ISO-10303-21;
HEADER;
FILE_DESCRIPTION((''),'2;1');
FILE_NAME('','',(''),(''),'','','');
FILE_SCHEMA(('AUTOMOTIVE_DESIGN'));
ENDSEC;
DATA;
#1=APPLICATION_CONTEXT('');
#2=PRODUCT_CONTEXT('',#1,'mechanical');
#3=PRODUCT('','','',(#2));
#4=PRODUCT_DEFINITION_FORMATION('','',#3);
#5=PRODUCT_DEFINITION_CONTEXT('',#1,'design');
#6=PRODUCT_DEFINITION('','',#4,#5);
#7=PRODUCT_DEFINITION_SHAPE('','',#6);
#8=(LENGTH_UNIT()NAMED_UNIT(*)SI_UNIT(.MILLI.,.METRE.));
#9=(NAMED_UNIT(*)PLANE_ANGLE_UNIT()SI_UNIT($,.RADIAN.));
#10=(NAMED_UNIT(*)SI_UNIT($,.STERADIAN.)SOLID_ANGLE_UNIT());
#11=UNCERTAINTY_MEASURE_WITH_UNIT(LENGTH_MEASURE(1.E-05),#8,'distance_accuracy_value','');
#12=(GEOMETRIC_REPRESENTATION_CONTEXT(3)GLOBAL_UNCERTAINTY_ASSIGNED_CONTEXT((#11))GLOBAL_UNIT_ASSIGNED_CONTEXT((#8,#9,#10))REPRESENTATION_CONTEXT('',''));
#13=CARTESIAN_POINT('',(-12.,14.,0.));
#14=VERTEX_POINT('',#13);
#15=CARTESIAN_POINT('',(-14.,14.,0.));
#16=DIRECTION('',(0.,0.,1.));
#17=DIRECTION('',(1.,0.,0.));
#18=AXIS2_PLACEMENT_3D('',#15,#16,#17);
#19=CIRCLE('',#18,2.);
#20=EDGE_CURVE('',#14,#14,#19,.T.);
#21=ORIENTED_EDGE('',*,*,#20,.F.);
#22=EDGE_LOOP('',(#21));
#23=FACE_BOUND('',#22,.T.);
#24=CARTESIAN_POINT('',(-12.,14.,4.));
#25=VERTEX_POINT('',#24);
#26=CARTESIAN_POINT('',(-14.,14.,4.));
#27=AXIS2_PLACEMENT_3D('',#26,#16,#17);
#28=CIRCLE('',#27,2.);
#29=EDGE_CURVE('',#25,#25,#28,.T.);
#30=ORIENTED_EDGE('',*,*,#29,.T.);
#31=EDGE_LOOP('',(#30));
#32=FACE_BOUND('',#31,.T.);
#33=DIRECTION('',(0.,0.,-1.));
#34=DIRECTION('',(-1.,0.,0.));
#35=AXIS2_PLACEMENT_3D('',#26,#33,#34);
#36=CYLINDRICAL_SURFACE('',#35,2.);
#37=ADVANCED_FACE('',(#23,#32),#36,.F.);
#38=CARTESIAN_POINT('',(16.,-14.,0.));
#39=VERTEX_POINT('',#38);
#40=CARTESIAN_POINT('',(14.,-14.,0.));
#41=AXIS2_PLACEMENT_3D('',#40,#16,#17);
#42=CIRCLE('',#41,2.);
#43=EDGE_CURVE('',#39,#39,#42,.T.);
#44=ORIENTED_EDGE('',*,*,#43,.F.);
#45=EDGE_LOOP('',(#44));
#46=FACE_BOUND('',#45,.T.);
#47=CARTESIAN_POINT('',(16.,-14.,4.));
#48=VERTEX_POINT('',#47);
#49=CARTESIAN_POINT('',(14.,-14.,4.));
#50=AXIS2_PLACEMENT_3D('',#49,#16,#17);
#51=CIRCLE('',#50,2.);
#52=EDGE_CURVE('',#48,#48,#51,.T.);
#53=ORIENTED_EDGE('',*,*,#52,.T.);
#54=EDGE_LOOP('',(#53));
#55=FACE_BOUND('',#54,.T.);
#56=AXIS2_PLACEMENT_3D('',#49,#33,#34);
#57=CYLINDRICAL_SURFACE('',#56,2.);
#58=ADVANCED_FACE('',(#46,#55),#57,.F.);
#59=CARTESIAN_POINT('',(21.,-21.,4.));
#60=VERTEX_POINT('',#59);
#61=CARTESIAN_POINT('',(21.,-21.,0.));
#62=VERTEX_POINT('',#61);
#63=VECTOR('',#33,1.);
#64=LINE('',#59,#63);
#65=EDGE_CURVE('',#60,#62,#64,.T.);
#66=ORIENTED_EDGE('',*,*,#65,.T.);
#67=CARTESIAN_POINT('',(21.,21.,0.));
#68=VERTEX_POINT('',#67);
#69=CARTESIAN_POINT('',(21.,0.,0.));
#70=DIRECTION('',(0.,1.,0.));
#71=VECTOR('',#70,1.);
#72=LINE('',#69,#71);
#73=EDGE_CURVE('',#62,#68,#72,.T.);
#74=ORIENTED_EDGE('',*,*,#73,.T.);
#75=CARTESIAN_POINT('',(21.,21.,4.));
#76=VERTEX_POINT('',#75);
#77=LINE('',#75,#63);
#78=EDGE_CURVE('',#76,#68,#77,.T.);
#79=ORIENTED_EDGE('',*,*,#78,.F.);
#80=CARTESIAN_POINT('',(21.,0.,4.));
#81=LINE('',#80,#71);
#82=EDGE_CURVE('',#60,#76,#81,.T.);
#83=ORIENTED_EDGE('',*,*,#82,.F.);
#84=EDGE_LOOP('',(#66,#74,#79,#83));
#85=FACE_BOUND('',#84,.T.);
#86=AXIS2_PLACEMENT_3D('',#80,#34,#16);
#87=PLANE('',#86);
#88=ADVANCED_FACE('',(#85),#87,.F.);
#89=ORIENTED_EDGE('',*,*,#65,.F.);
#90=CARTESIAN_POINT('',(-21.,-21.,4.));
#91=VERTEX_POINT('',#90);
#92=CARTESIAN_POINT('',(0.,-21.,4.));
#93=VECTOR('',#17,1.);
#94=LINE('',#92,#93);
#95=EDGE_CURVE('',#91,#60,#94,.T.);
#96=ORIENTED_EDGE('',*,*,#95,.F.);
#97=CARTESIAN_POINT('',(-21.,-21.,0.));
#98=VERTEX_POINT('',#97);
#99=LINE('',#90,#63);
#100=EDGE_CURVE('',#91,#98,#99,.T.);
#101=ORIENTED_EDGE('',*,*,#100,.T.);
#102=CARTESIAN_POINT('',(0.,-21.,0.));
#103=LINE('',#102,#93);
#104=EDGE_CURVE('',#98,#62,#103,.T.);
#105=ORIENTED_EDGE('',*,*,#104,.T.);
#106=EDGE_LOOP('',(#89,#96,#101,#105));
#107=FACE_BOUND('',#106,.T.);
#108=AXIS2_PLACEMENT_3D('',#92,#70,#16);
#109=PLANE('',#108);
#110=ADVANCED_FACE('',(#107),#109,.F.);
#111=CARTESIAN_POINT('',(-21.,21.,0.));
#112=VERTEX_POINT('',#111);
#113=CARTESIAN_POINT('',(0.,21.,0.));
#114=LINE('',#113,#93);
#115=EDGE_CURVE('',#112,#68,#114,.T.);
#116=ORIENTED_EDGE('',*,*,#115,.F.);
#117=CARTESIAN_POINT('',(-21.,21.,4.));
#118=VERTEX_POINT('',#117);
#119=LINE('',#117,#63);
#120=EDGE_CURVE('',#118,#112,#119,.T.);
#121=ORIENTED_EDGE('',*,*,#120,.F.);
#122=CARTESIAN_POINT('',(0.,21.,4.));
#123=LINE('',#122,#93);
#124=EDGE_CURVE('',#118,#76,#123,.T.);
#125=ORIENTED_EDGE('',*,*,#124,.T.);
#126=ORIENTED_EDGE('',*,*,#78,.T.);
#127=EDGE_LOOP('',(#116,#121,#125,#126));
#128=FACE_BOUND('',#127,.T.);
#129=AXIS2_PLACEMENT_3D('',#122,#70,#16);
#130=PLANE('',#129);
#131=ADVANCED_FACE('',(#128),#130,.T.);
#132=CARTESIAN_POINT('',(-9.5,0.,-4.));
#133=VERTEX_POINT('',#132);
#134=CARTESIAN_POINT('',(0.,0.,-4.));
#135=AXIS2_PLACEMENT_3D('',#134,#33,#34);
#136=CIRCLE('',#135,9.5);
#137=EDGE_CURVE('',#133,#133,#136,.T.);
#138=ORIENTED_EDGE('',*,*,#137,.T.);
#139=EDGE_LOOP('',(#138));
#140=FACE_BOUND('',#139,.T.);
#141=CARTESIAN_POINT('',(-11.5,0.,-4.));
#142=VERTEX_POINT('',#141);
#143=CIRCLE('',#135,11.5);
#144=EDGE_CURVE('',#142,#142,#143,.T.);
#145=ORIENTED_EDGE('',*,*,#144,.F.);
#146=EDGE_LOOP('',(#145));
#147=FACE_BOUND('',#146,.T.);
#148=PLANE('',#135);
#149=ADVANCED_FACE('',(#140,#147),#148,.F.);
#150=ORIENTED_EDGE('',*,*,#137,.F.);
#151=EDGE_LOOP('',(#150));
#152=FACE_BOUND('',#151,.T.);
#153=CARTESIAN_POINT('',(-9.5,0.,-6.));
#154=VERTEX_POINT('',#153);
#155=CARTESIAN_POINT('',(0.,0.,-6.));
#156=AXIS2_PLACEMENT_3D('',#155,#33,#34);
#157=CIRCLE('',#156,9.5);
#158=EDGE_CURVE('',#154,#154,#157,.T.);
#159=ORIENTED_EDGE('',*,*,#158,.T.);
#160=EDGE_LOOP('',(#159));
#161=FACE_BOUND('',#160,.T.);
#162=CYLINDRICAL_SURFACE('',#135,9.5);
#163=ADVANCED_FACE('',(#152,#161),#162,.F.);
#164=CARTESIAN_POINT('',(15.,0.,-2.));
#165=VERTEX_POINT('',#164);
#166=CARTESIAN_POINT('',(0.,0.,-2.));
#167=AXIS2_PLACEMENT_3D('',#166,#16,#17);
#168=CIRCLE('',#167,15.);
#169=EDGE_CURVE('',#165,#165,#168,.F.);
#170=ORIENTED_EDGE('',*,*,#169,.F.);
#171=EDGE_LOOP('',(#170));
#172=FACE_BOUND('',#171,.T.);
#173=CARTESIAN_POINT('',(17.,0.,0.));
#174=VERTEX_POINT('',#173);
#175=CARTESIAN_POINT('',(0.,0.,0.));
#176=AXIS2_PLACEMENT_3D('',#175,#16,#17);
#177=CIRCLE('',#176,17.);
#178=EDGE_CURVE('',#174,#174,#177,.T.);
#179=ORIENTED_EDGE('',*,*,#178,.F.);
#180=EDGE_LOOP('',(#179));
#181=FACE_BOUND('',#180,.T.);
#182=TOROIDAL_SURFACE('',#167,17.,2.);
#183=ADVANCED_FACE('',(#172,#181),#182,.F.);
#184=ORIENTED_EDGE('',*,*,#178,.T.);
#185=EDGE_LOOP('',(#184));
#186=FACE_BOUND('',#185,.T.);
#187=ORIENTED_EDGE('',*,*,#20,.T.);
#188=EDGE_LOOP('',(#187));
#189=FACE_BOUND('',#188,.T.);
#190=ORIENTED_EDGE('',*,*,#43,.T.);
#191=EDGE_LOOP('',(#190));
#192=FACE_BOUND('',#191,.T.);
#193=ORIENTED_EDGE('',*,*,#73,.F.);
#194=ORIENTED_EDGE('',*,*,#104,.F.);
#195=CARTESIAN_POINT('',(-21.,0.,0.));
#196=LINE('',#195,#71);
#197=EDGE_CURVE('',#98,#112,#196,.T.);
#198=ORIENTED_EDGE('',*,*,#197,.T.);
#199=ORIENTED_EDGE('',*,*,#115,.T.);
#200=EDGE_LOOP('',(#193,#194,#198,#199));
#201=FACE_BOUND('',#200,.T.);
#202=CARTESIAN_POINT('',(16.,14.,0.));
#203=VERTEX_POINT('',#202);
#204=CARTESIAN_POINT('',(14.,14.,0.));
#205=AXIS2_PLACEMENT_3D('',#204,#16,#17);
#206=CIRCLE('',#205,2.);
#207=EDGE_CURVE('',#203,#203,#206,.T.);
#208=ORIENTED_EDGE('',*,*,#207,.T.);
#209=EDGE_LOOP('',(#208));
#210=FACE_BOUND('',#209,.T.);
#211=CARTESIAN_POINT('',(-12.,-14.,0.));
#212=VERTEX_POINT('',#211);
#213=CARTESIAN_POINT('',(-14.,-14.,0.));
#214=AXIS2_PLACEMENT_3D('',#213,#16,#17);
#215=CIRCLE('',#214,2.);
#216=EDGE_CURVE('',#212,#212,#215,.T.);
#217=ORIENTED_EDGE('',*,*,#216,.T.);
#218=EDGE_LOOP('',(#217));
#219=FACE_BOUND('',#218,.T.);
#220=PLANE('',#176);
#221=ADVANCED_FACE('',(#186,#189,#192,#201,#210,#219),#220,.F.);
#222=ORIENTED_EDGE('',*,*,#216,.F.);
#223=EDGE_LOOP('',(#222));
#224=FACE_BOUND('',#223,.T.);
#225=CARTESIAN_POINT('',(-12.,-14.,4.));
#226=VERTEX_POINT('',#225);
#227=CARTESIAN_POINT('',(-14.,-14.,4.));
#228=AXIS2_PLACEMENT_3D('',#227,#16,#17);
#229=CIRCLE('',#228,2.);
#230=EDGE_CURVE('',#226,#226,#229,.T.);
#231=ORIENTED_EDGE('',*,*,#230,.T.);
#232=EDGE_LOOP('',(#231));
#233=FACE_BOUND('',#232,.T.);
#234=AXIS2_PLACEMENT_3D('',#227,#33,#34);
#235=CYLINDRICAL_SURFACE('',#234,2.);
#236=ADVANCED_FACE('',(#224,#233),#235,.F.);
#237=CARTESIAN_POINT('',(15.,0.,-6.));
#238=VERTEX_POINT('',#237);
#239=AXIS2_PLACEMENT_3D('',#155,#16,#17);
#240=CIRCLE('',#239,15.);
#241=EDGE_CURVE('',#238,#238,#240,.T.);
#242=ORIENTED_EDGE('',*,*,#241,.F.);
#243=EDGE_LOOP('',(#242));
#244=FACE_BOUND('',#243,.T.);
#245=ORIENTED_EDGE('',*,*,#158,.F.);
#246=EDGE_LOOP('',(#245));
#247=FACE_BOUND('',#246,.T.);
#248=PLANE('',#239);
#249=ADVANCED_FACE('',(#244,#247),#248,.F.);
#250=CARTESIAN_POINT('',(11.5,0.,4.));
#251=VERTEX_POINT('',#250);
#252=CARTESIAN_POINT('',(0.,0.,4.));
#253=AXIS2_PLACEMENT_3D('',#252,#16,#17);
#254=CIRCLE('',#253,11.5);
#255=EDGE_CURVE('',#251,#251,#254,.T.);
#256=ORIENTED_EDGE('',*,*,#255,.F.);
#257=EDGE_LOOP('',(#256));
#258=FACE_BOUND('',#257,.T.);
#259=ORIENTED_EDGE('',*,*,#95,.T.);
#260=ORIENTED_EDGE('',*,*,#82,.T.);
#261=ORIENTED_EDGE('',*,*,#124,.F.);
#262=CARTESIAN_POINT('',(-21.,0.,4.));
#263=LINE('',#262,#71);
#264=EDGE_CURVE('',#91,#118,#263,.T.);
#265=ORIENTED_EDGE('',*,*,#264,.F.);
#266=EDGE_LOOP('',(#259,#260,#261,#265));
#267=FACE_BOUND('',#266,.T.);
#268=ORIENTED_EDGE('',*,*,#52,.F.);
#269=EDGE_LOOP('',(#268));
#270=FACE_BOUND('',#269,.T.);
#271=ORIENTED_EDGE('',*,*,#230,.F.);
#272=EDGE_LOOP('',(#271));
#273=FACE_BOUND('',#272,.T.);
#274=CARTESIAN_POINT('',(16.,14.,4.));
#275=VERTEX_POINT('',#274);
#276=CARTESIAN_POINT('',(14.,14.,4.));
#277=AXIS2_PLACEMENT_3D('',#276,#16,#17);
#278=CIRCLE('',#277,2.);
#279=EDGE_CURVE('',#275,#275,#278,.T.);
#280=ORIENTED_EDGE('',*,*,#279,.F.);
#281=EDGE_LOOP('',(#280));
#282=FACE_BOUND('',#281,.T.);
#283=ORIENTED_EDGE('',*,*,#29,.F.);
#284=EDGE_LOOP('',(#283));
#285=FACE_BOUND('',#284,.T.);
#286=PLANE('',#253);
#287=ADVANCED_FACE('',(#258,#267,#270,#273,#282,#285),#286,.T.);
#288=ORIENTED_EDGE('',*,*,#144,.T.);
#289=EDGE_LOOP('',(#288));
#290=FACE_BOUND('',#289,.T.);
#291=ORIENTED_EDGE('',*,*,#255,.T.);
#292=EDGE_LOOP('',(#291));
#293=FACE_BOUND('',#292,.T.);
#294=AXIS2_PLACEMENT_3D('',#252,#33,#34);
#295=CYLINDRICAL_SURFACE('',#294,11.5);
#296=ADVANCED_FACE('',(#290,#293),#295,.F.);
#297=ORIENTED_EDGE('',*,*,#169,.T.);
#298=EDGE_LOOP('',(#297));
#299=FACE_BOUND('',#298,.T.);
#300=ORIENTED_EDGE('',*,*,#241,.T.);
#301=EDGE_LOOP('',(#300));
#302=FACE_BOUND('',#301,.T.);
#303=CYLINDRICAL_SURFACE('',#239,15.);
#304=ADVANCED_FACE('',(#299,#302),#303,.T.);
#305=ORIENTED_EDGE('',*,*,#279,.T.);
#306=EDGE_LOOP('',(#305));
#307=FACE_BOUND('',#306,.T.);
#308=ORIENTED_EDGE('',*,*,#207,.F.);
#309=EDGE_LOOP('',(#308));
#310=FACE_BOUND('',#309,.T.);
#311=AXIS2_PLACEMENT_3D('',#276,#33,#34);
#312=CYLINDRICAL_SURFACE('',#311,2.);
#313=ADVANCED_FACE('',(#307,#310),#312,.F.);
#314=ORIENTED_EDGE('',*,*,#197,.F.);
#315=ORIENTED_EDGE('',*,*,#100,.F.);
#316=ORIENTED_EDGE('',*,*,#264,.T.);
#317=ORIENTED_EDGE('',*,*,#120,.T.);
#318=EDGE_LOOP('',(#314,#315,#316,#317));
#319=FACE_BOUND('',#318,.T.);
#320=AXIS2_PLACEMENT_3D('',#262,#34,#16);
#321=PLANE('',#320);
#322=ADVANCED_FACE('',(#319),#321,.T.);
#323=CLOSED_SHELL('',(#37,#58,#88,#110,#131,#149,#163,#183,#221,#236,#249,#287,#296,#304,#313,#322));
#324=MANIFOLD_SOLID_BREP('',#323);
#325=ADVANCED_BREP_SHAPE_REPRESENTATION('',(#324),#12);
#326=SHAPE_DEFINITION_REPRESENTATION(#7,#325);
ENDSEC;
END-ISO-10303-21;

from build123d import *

# Parameters (mm, degrees)
SKETCH1_W           = 42
SKETCH1_H           = 42
SKETCH1_R           = 2
SKETCH1_R_2         = 11.5
BOSS_EXTRUDE1_DEPTH = 4
SKETCH2_R           = 15
SKETCH2_R_2         = 11.5
BOSS_EXTRUDE2_DEPTH = 6
SKETCH3_R           = 11.5
SKETCH3_R_2         = 9.5
BOSS_EXTRUDE3_DEPTH = 2
FILLET1_R           = 2


with BuildPart() as part:
    # Sketch1 → Boss-Extrude1 (new body)
    with BuildSketch(Plane.XY):
        Rectangle(SKETCH1_W, SKETCH1_H)
        with Locations((-14, -14)):
            Circle(SKETCH1_R, mode=Mode.SUBTRACT)
        with Locations((14, 14)):
            Circle(SKETCH1_R, mode=Mode.SUBTRACT)
        with Locations((14, -14)):
            Circle(SKETCH1_R, mode=Mode.SUBTRACT)
        with Locations((-14, 14)):
            Circle(SKETCH1_R, mode=Mode.SUBTRACT)
        Circle(SKETCH1_R_2, mode=Mode.SUBTRACT)
    extrude(amount=BOSS_EXTRUDE1_DEPTH)

    # Sketch2 → Boss-Extrude2 (add)
    with BuildSketch(Plane.XY):
        Circle(SKETCH2_R)
        Circle(SKETCH2_R_2, mode=Mode.SUBTRACT)
    extrude(amount=-BOSS_EXTRUDE2_DEPTH)

    # Sketch3 → Boss-Extrude3 (add)
    with BuildSketch(Plane(origin=(0, 0, -6), x_dir=(-1, 0, 0), z_dir=(0, 0, -1))):
        Circle(SKETCH3_R)
        Circle(SKETCH3_R_2, mode=Mode.SUBTRACT)
    extrude(amount=-BOSS_EXTRUDE3_DEPTH)

    # Fillet1
    fillet1_edges = [part.edges().sort_by_distance(p)[0] for p in [
        (-15, 0, 0),
    ]]
    fillet(fillet1_edges, radius=FILLET1_R)


solid = part.part
